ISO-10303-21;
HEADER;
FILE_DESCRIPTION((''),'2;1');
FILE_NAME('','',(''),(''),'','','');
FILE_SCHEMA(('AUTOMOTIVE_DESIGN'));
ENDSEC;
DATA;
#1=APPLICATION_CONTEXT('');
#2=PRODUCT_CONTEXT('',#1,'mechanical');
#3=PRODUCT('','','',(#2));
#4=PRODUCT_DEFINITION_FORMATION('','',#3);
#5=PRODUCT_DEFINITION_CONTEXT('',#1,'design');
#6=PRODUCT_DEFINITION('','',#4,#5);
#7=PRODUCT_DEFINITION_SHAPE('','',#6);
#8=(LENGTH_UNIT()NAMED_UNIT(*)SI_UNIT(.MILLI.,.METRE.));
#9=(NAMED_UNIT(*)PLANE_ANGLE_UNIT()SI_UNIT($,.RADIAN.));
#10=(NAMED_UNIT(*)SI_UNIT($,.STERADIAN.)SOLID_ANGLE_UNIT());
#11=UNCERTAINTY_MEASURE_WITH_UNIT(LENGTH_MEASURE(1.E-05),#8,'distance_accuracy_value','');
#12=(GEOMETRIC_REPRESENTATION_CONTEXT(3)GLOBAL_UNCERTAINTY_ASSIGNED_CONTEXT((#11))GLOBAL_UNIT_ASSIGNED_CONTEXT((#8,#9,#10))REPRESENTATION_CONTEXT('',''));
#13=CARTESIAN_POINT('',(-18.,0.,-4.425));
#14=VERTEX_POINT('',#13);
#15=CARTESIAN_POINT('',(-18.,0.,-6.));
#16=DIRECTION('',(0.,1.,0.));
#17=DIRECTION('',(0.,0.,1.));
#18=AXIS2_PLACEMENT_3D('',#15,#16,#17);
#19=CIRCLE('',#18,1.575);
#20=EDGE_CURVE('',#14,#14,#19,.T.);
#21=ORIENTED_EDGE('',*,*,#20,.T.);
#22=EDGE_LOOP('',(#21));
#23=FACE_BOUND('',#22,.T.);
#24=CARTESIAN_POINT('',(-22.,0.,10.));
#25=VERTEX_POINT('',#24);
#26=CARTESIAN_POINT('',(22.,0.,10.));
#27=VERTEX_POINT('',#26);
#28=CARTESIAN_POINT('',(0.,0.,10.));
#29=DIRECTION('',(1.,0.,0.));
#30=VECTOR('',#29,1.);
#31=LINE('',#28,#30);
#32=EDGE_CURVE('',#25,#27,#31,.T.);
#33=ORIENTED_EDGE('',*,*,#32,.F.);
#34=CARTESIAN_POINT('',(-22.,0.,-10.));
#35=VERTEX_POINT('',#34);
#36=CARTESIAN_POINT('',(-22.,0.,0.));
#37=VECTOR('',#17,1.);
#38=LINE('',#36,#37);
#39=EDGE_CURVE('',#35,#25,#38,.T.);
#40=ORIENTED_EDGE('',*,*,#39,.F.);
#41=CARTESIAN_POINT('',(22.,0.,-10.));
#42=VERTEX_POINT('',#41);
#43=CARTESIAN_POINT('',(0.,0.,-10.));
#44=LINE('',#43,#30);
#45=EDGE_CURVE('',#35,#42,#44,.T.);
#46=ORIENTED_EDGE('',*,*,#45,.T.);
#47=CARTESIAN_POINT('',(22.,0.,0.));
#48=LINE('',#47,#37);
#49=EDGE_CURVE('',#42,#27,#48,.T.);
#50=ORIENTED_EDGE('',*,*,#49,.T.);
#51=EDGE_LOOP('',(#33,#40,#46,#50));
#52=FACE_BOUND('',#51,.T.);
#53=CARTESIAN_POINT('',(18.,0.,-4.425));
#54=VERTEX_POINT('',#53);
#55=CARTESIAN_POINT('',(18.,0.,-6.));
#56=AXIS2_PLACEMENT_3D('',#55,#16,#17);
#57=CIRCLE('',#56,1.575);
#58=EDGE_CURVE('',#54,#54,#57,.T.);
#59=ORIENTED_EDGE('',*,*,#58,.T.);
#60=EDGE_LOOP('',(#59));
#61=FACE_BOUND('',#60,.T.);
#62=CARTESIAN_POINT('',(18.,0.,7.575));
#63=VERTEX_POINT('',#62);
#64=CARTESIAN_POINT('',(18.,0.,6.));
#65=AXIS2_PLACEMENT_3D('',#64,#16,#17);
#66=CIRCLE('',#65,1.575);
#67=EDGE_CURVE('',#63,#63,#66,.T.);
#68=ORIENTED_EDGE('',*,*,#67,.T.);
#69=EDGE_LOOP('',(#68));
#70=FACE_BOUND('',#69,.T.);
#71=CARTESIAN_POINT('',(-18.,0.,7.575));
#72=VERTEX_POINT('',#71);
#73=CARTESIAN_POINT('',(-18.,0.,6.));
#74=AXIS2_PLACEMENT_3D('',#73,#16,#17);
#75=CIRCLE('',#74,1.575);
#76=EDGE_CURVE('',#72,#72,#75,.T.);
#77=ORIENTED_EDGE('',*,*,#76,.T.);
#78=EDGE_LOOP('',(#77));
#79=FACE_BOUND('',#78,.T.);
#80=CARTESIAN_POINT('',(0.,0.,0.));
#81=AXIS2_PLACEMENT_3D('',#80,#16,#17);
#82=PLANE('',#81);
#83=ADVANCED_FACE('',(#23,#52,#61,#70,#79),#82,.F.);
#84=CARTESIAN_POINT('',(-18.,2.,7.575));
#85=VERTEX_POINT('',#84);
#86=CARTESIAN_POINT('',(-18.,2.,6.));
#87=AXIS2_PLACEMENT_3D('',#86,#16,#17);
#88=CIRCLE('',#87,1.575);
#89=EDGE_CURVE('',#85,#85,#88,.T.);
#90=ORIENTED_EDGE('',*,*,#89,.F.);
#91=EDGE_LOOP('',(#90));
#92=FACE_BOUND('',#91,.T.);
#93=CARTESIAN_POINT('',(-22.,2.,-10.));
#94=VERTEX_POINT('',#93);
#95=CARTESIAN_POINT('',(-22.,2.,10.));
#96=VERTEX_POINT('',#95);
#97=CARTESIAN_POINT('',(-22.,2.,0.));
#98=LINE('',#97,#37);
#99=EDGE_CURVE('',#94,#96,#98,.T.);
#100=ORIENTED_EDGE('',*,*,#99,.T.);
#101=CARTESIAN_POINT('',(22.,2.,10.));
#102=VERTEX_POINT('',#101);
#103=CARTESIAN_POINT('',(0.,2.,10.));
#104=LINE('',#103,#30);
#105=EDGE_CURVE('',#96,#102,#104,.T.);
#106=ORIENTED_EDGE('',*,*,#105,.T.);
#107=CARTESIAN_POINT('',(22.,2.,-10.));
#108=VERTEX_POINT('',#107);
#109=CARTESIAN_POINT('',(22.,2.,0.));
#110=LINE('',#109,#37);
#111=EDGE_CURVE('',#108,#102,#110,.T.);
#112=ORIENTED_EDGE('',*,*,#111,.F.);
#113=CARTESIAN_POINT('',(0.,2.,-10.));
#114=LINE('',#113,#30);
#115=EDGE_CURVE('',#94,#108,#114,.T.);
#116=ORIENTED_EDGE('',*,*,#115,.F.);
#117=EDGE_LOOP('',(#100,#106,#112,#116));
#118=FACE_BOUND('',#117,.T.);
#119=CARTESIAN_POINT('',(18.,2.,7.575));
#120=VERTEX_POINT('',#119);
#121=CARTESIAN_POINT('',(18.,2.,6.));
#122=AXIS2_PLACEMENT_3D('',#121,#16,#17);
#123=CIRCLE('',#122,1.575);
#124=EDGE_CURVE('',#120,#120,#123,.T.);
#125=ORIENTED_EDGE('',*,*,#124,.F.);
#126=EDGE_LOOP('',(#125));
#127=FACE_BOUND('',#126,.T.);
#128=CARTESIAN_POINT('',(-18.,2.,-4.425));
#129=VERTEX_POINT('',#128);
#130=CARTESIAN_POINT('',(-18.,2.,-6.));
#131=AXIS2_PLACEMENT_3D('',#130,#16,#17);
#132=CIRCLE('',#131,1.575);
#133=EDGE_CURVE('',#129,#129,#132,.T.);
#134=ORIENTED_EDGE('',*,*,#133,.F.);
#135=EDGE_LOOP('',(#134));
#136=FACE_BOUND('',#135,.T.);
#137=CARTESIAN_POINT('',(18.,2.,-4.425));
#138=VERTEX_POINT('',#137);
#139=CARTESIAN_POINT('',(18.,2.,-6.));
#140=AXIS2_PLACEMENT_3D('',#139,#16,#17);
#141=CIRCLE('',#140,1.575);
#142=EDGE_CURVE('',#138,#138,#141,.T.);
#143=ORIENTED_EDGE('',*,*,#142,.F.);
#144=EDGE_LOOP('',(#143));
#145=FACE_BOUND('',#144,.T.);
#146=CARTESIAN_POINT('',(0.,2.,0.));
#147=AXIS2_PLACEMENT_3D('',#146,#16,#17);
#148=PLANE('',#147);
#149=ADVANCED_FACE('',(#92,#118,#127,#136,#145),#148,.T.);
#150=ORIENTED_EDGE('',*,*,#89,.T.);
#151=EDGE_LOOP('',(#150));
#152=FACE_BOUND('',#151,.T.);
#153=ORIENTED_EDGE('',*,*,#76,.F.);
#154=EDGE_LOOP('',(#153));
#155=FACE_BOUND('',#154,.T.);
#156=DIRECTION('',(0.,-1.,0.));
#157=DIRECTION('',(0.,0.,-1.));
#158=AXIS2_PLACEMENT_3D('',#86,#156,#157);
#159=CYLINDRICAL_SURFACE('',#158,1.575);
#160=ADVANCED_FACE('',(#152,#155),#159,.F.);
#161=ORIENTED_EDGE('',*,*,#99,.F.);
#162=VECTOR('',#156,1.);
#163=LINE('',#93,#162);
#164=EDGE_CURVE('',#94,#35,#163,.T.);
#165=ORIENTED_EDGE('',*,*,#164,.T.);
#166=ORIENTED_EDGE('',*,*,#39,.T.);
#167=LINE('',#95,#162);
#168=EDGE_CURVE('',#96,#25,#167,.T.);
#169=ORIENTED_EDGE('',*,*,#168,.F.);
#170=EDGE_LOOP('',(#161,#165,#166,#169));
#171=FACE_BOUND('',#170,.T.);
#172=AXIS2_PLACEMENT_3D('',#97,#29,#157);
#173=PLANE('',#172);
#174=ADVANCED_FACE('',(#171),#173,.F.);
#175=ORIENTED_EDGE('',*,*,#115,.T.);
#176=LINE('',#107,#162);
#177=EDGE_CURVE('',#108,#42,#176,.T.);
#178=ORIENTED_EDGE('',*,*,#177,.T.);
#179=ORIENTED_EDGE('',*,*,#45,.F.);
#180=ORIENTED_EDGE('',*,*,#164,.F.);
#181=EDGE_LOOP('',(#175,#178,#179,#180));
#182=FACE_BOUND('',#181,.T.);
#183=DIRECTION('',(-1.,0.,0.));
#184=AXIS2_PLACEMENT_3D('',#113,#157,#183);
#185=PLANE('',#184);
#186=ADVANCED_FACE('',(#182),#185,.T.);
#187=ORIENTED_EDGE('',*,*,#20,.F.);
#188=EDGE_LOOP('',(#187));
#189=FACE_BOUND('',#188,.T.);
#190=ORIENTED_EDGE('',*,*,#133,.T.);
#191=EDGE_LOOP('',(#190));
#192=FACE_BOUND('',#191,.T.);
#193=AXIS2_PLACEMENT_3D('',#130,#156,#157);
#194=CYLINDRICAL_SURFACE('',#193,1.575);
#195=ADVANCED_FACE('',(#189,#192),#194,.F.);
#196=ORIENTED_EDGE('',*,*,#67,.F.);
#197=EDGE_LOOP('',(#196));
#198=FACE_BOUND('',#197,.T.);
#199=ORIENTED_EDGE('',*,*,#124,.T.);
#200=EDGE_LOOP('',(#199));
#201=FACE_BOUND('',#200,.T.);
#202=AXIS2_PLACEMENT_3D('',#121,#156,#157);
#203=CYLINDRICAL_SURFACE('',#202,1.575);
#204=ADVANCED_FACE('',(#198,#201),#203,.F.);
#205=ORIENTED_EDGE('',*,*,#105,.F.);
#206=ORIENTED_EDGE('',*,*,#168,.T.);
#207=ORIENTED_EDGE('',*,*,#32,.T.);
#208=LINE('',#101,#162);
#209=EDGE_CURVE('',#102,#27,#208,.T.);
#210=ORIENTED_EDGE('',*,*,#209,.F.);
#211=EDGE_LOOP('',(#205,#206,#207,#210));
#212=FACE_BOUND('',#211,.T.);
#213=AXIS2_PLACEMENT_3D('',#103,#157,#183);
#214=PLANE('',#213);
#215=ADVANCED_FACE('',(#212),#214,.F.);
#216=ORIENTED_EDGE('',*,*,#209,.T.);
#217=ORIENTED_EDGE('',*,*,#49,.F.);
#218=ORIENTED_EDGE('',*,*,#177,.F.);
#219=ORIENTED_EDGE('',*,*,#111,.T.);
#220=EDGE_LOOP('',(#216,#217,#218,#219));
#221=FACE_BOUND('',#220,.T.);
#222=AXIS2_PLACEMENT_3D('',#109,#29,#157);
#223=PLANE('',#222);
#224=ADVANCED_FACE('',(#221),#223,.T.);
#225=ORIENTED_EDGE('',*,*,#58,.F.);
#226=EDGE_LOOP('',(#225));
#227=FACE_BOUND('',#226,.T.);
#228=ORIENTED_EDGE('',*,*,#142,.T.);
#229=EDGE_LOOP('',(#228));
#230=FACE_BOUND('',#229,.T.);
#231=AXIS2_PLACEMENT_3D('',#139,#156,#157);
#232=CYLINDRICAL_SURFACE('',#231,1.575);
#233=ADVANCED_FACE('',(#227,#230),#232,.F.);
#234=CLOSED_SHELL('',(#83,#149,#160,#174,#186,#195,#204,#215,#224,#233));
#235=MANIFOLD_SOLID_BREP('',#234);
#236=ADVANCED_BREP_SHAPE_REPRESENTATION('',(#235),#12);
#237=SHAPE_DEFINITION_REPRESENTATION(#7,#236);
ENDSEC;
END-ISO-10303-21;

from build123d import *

# Parameters (mm, degrees)
SKETCH1_W           = 44
SKETCH1_H           = 20
SKETCH1_R           = 1.575
BOSS_EXTRUDE1_DEPTH = 2


with BuildPart() as part:
    # Sketch1 → Boss-Extrude1 (new body)
    with BuildSketch(Plane(origin=(0, 0, 0), x_dir=(1, 0, 0), z_dir=(0, 1, 0))):
        Rectangle(SKETCH1_W, SKETCH1_H)
        with Locations(Location((-18, 6, 0), (0, 0, 270))):
            Circle(SKETCH1_R, mode=Mode.SUBTRACT)
        with Locations(Location((18, 6, 0), (0, 0, 270))):
            Circle(SKETCH1_R, mode=Mode.SUBTRACT)
        with Locations(Location((18, -6, 0), (0, 0, 270))):
            Circle(SKETCH1_R, mode=Mode.SUBTRACT)
        with Locations(Location((-18, -6, 0), (0, 0, 270))):
            Circle(SKETCH1_R, mode=Mode.SUBTRACT)
    extrude(amount=BOSS_EXTRUDE1_DEPTH)


solid = part.part
